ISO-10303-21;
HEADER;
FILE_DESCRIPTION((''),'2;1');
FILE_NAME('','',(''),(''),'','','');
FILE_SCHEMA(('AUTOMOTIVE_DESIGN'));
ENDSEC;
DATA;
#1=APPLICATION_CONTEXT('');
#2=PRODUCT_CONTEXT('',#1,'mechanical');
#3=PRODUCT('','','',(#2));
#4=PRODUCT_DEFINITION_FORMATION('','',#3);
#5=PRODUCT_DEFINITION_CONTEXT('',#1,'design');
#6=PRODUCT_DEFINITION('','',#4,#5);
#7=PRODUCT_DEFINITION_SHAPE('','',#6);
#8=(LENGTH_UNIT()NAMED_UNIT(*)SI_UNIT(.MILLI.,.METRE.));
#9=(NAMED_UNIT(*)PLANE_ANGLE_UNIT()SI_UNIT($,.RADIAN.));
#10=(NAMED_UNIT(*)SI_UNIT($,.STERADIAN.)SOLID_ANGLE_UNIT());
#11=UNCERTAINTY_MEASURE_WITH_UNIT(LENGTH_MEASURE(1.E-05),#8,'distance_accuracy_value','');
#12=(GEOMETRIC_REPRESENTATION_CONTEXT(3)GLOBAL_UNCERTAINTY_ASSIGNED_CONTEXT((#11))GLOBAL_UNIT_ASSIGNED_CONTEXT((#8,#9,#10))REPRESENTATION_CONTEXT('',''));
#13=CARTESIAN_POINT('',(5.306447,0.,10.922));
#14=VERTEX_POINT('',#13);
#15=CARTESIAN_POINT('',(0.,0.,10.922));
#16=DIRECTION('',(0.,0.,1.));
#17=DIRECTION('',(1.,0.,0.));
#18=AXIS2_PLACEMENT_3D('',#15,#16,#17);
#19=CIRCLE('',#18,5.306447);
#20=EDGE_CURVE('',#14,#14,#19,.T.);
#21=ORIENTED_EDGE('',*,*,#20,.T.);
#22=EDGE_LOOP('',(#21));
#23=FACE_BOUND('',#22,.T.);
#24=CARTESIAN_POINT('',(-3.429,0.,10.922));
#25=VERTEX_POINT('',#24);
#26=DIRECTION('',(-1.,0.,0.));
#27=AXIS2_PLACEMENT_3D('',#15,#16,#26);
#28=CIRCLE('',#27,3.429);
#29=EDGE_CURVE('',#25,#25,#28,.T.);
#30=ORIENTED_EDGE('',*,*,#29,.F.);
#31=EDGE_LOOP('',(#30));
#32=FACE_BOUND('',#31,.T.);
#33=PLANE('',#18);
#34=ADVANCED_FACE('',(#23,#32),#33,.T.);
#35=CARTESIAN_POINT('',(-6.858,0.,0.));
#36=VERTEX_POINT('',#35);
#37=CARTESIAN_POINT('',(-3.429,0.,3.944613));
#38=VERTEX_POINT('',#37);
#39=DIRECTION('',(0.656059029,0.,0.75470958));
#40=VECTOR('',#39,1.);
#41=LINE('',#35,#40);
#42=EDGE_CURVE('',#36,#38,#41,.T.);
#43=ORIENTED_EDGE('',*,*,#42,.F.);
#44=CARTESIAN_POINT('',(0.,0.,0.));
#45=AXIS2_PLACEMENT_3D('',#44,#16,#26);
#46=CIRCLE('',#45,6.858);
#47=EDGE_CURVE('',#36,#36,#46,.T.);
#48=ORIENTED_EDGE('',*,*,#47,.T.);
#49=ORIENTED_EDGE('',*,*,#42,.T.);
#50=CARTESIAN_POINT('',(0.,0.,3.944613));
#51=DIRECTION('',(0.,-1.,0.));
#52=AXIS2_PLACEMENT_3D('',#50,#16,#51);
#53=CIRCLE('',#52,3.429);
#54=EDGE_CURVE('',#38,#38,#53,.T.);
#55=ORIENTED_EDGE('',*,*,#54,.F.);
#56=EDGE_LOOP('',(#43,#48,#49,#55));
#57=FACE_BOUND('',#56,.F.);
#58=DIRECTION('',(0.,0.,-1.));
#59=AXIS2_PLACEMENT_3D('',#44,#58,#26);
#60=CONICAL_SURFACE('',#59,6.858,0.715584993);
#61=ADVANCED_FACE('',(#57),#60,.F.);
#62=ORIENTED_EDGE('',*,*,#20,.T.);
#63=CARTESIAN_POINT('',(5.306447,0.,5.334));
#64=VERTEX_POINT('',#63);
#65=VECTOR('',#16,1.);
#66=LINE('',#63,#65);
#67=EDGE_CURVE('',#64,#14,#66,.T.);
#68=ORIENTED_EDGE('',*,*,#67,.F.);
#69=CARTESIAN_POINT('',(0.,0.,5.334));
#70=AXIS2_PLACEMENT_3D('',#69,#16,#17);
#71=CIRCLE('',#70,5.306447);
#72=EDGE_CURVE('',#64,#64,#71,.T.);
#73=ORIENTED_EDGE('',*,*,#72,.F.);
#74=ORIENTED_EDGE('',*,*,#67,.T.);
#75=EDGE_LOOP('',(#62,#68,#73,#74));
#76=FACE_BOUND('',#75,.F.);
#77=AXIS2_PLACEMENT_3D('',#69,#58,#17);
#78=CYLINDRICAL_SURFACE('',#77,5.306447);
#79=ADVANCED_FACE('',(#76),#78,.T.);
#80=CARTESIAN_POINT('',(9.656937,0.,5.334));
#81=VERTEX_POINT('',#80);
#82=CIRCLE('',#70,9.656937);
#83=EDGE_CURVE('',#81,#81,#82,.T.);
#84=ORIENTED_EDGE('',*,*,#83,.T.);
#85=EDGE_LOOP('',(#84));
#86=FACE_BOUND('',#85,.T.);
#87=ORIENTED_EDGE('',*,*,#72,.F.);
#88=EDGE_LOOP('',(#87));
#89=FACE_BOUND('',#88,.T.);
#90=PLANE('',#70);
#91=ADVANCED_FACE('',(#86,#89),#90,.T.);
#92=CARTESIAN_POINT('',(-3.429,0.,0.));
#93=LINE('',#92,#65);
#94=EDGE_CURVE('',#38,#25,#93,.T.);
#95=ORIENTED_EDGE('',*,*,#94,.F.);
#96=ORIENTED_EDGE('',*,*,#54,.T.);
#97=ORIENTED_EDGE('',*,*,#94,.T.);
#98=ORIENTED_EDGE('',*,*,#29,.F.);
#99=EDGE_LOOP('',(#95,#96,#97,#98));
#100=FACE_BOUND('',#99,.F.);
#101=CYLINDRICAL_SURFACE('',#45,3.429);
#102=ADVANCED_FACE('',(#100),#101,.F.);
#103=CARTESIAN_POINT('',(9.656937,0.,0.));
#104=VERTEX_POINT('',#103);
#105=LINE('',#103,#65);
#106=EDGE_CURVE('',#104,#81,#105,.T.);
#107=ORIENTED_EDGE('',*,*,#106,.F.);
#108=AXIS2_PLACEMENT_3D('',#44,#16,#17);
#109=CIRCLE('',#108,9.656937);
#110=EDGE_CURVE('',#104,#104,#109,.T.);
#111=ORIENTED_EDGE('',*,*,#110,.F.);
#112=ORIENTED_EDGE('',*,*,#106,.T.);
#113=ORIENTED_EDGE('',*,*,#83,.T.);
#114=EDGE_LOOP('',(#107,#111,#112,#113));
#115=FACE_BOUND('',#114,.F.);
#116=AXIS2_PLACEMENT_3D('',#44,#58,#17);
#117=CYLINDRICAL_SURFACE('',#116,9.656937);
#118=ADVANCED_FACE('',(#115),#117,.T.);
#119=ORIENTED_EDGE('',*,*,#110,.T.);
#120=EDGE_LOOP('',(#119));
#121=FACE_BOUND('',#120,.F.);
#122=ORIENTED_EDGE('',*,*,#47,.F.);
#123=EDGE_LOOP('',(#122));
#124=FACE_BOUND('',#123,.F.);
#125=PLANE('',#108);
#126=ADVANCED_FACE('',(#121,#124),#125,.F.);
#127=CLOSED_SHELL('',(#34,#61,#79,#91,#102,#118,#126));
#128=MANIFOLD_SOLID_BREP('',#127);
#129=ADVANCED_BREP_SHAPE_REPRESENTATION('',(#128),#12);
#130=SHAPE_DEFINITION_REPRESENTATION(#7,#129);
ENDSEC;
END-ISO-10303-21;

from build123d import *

# Parameters (mm, degrees)
F0_R           = 9.656937
F1_DEPTH       = 5.334
F2_R           = 5.306447
F3_DEPTH       = 5.588
F5_D           = 6.858
F5_CSINK_D     = 13.716
F5_CSINK_ANGLE = 82


with BuildPart() as f1:
    # F0 (on Top) → F1 (new body)
    with BuildSketch(Plane.XY):
        Circle(F0_R)
    extrude(amount=F1_DEPTH)

    # F2 (on face) → F3 (join)
    with BuildSketch(Plane.XY.offset(5.334)):
        Circle(F2_R)
    extrude(amount=F3_DEPTH)

    # F5 (through all)
    with Locations(Plane(origin=(0, 0, 0), x_dir=(1, 0, 0), z_dir=(0, 0, -1))):
        with Locations((0, 0)):
            CounterSinkHole(F5_D / 2, F5_CSINK_D / 2, counter_sink_angle=F5_CSINK_ANGLE)


solid = f1.part
